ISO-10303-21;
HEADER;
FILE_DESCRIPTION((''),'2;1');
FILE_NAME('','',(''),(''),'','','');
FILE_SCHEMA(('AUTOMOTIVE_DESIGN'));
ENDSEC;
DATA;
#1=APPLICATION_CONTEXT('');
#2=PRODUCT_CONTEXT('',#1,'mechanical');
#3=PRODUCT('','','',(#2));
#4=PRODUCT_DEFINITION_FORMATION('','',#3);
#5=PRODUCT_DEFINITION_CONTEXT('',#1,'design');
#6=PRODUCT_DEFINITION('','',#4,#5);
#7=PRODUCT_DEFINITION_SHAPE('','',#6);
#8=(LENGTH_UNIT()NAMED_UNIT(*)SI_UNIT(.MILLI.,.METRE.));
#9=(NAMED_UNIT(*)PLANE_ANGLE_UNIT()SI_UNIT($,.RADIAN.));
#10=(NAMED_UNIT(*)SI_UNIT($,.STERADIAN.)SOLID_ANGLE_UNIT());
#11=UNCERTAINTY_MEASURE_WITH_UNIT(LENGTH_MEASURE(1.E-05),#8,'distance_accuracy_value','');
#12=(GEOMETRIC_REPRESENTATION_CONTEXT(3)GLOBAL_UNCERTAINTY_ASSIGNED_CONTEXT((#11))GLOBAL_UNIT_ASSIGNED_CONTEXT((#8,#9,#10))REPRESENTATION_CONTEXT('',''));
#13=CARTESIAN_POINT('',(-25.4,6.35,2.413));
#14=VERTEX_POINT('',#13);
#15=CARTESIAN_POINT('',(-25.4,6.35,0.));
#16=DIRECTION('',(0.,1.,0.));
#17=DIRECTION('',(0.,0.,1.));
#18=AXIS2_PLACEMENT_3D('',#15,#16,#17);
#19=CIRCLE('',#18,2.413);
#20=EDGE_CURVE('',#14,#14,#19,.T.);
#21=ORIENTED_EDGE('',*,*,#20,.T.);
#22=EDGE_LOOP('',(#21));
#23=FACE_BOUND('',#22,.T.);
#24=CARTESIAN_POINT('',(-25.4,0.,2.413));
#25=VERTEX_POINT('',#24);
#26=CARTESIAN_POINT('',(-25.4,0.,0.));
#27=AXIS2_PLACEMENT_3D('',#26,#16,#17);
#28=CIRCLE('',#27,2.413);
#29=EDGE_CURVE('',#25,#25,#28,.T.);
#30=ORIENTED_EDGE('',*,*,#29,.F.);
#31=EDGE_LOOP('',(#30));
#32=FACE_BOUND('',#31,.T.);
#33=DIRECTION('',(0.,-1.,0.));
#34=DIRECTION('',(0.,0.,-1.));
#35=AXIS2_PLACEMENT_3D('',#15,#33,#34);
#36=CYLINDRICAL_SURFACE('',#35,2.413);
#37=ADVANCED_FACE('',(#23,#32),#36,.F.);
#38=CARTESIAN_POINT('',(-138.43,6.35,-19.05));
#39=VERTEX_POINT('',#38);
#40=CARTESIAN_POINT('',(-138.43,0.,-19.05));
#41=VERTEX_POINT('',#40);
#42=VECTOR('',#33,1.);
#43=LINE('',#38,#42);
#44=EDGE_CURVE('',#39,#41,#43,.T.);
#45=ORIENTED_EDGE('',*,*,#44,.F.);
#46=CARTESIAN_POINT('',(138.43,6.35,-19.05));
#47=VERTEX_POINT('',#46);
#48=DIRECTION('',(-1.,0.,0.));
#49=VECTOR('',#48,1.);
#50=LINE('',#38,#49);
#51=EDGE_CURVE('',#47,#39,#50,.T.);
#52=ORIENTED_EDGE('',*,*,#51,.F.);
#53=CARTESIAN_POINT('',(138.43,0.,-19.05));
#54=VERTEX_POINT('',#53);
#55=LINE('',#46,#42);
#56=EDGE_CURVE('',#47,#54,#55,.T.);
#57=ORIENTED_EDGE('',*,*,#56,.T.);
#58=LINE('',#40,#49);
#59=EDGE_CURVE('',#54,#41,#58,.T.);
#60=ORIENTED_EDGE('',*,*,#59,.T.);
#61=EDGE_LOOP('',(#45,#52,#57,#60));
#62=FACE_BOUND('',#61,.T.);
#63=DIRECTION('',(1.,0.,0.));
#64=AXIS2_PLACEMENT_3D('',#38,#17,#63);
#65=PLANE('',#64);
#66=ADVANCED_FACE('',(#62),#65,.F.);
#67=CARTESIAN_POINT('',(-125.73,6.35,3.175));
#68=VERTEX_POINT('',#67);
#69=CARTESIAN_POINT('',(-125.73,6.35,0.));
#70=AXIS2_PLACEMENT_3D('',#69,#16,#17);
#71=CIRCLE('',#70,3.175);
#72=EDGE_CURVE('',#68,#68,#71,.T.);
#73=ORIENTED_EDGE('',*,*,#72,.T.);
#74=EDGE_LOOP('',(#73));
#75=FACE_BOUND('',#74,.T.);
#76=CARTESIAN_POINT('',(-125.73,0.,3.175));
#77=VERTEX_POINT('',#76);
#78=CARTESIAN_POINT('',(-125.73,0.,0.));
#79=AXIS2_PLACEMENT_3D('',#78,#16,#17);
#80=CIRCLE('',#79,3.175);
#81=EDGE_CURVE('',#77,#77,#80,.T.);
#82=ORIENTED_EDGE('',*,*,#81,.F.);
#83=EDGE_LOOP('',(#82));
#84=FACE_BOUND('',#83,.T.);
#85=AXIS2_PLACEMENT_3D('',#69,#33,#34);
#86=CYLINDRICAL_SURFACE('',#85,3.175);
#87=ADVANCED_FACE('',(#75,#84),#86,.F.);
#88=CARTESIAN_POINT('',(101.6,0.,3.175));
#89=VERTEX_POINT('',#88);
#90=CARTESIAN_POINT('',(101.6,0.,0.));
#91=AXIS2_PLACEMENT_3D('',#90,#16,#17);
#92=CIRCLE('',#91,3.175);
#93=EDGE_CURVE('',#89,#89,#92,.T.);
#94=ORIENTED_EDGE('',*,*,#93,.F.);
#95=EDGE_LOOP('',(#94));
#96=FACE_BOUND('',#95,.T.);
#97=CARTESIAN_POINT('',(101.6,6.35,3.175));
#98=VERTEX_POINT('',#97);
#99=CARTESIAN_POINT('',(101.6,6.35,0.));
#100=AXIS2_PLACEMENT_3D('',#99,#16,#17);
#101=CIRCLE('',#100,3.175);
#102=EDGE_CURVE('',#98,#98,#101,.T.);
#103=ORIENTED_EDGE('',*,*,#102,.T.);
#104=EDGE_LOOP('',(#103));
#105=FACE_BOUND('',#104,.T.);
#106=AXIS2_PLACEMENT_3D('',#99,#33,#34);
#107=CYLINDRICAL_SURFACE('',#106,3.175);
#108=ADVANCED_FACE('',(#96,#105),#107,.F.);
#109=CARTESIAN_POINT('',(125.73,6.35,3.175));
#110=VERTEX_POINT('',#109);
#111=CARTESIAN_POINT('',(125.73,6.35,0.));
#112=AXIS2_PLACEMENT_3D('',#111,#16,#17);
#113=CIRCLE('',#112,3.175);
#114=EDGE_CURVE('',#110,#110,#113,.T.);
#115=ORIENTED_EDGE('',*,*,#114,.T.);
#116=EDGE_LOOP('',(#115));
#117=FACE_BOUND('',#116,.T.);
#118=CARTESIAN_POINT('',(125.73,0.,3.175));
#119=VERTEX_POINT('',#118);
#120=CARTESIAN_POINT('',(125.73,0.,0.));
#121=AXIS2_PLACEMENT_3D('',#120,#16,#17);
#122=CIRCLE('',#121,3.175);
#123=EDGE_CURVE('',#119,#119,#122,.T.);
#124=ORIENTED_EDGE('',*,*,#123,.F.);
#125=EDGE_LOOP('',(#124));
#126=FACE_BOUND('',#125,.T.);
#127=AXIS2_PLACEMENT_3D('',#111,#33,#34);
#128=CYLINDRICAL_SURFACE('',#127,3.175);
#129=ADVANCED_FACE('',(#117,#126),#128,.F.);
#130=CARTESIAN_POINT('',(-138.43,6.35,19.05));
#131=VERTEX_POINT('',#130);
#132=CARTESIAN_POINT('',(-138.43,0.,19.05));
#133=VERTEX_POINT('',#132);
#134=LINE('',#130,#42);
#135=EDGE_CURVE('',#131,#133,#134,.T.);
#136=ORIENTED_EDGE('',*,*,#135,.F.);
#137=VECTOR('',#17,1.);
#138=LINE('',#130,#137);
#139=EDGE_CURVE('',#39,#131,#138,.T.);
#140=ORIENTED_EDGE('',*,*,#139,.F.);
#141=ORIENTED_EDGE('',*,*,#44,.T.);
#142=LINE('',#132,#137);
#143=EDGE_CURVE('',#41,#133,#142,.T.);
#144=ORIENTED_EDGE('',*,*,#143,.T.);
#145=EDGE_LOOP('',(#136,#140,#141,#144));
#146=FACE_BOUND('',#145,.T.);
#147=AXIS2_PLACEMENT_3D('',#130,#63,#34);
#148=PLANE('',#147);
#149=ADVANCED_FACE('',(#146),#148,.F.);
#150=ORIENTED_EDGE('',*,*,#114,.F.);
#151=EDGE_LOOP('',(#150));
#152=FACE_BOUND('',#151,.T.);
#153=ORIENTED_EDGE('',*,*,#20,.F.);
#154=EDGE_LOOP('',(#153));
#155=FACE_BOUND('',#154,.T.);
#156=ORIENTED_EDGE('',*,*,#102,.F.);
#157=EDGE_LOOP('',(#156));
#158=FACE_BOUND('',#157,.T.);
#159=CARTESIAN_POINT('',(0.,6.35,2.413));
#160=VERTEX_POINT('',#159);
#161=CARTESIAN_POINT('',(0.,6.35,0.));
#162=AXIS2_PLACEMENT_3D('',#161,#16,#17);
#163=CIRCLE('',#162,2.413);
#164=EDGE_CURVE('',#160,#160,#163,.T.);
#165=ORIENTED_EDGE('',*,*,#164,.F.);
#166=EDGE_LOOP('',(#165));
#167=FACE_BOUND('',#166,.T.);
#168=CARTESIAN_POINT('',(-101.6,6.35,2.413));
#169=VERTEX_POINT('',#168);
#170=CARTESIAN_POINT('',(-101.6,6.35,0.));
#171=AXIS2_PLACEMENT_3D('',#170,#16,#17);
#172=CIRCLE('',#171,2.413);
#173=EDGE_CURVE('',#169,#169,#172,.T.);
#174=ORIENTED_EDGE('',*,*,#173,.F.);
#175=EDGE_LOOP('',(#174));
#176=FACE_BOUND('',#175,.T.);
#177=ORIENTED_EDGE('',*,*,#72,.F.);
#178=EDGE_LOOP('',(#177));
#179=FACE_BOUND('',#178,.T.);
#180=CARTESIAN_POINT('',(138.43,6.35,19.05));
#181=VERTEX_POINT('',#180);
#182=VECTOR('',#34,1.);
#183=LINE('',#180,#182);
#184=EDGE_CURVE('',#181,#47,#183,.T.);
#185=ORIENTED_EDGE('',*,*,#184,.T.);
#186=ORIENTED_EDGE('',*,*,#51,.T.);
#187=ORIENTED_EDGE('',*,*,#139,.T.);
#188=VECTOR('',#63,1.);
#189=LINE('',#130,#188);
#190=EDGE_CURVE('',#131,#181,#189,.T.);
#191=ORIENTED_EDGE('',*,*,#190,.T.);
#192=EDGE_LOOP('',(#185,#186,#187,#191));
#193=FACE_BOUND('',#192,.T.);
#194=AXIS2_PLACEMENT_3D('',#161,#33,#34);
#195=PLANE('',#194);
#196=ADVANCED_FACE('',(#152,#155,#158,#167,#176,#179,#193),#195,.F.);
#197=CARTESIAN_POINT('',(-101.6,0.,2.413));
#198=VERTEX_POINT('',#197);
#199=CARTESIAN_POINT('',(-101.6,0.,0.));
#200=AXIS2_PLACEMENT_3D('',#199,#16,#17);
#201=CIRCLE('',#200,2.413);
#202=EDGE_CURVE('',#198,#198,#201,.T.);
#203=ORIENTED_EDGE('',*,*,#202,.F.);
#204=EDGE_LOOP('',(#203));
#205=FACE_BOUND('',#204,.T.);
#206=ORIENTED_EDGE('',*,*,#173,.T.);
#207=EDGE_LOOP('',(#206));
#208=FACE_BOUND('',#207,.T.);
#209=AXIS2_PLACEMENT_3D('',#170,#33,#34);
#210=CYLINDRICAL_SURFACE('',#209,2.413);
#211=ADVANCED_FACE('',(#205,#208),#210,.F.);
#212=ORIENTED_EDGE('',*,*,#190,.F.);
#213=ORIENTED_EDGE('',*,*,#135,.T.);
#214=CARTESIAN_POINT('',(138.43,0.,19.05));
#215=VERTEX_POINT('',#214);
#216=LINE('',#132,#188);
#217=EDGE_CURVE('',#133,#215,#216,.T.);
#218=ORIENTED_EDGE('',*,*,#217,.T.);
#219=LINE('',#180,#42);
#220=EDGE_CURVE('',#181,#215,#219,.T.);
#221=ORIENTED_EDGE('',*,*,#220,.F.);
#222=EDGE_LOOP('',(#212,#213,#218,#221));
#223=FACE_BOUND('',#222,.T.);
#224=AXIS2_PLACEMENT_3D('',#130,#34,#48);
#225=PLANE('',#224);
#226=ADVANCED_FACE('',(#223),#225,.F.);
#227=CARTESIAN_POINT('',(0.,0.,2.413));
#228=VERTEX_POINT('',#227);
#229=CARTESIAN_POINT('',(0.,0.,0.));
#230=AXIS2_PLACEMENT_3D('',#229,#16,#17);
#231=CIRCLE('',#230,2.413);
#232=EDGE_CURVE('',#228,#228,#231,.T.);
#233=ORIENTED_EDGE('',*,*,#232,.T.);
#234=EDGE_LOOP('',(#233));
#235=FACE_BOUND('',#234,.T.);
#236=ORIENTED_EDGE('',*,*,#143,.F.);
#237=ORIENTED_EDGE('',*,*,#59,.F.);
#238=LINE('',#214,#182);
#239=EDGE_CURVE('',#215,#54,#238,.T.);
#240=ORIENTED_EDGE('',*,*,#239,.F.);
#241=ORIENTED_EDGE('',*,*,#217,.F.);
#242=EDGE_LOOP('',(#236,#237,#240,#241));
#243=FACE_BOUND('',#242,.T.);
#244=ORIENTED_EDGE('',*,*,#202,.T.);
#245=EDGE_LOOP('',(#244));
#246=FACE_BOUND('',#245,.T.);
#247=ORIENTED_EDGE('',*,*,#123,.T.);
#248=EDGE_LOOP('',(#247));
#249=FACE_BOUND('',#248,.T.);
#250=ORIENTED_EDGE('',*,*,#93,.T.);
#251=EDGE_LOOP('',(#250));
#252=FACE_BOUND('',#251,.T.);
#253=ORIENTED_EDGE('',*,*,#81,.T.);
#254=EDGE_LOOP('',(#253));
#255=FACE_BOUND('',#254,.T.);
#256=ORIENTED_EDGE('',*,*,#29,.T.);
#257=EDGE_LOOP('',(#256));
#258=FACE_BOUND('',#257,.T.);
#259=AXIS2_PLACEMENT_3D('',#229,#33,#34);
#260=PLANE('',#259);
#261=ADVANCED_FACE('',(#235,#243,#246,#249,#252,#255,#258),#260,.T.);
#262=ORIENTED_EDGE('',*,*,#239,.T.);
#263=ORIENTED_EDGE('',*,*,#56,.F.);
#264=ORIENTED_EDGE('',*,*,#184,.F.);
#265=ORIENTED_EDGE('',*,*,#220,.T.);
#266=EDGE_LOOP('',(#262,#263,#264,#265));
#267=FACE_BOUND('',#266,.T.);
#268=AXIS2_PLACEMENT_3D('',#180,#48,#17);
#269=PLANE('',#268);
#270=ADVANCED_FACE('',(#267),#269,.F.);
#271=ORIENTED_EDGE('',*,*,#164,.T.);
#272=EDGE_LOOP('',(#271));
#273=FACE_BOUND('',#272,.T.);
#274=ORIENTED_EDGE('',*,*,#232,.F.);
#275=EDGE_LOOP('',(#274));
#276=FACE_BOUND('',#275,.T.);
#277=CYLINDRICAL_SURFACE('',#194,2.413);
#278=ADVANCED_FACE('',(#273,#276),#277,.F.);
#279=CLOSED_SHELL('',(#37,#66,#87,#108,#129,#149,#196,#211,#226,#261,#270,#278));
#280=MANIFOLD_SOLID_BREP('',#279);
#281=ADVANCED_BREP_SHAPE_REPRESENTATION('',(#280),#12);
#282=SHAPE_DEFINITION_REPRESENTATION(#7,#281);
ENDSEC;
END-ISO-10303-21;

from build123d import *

# Parameters (mm, degrees)
SKETCH1_W           = 276.86
SKETCH1_H           = 38.1
SKETCH1_R           = 3.175
SKETCH1_R_2         = 2.413
BOSS_EXTRUDE1_DEPTH = 6.35


with BuildPart() as part:
    # Sketch1 → Boss-Extrude1 (new body)
    with BuildSketch(Plane(origin=(0, 0, 0), x_dir=(1, 0, 0), z_dir=(0, 1, 0))):
        Rectangle(SKETCH1_W, SKETCH1_H)
        with Locations(Location((-125.73, 0, 0), (0, 0, 270))):
            Circle(SKETCH1_R, mode=Mode.SUBTRACT)
        with Locations(Location((125.73, 0, 0), (0, 0, 270))):
            Circle(SKETCH1_R, mode=Mode.SUBTRACT)
        with Locations(Location((-101.6, 0, 0), (0, 0, 270))):
            Circle(SKETCH1_R_2, mode=Mode.SUBTRACT)
        with Locations(Location((-25.4, 0, 0), (0, 0, 270))):
            Circle(SKETCH1_R_2, mode=Mode.SUBTRACT)
        with Locations(Location((0, 0, 0), (0, 0, 270))):
            Circle(SKETCH1_R_2, mode=Mode.SUBTRACT)
        with Locations(Location((101.6, 0, 0), (0, 0, 270))):
            Circle(SKETCH1_R, mode=Mode.SUBTRACT)
    extrude(amount=BOSS_EXTRUDE1_DEPTH)


solid = part.part
